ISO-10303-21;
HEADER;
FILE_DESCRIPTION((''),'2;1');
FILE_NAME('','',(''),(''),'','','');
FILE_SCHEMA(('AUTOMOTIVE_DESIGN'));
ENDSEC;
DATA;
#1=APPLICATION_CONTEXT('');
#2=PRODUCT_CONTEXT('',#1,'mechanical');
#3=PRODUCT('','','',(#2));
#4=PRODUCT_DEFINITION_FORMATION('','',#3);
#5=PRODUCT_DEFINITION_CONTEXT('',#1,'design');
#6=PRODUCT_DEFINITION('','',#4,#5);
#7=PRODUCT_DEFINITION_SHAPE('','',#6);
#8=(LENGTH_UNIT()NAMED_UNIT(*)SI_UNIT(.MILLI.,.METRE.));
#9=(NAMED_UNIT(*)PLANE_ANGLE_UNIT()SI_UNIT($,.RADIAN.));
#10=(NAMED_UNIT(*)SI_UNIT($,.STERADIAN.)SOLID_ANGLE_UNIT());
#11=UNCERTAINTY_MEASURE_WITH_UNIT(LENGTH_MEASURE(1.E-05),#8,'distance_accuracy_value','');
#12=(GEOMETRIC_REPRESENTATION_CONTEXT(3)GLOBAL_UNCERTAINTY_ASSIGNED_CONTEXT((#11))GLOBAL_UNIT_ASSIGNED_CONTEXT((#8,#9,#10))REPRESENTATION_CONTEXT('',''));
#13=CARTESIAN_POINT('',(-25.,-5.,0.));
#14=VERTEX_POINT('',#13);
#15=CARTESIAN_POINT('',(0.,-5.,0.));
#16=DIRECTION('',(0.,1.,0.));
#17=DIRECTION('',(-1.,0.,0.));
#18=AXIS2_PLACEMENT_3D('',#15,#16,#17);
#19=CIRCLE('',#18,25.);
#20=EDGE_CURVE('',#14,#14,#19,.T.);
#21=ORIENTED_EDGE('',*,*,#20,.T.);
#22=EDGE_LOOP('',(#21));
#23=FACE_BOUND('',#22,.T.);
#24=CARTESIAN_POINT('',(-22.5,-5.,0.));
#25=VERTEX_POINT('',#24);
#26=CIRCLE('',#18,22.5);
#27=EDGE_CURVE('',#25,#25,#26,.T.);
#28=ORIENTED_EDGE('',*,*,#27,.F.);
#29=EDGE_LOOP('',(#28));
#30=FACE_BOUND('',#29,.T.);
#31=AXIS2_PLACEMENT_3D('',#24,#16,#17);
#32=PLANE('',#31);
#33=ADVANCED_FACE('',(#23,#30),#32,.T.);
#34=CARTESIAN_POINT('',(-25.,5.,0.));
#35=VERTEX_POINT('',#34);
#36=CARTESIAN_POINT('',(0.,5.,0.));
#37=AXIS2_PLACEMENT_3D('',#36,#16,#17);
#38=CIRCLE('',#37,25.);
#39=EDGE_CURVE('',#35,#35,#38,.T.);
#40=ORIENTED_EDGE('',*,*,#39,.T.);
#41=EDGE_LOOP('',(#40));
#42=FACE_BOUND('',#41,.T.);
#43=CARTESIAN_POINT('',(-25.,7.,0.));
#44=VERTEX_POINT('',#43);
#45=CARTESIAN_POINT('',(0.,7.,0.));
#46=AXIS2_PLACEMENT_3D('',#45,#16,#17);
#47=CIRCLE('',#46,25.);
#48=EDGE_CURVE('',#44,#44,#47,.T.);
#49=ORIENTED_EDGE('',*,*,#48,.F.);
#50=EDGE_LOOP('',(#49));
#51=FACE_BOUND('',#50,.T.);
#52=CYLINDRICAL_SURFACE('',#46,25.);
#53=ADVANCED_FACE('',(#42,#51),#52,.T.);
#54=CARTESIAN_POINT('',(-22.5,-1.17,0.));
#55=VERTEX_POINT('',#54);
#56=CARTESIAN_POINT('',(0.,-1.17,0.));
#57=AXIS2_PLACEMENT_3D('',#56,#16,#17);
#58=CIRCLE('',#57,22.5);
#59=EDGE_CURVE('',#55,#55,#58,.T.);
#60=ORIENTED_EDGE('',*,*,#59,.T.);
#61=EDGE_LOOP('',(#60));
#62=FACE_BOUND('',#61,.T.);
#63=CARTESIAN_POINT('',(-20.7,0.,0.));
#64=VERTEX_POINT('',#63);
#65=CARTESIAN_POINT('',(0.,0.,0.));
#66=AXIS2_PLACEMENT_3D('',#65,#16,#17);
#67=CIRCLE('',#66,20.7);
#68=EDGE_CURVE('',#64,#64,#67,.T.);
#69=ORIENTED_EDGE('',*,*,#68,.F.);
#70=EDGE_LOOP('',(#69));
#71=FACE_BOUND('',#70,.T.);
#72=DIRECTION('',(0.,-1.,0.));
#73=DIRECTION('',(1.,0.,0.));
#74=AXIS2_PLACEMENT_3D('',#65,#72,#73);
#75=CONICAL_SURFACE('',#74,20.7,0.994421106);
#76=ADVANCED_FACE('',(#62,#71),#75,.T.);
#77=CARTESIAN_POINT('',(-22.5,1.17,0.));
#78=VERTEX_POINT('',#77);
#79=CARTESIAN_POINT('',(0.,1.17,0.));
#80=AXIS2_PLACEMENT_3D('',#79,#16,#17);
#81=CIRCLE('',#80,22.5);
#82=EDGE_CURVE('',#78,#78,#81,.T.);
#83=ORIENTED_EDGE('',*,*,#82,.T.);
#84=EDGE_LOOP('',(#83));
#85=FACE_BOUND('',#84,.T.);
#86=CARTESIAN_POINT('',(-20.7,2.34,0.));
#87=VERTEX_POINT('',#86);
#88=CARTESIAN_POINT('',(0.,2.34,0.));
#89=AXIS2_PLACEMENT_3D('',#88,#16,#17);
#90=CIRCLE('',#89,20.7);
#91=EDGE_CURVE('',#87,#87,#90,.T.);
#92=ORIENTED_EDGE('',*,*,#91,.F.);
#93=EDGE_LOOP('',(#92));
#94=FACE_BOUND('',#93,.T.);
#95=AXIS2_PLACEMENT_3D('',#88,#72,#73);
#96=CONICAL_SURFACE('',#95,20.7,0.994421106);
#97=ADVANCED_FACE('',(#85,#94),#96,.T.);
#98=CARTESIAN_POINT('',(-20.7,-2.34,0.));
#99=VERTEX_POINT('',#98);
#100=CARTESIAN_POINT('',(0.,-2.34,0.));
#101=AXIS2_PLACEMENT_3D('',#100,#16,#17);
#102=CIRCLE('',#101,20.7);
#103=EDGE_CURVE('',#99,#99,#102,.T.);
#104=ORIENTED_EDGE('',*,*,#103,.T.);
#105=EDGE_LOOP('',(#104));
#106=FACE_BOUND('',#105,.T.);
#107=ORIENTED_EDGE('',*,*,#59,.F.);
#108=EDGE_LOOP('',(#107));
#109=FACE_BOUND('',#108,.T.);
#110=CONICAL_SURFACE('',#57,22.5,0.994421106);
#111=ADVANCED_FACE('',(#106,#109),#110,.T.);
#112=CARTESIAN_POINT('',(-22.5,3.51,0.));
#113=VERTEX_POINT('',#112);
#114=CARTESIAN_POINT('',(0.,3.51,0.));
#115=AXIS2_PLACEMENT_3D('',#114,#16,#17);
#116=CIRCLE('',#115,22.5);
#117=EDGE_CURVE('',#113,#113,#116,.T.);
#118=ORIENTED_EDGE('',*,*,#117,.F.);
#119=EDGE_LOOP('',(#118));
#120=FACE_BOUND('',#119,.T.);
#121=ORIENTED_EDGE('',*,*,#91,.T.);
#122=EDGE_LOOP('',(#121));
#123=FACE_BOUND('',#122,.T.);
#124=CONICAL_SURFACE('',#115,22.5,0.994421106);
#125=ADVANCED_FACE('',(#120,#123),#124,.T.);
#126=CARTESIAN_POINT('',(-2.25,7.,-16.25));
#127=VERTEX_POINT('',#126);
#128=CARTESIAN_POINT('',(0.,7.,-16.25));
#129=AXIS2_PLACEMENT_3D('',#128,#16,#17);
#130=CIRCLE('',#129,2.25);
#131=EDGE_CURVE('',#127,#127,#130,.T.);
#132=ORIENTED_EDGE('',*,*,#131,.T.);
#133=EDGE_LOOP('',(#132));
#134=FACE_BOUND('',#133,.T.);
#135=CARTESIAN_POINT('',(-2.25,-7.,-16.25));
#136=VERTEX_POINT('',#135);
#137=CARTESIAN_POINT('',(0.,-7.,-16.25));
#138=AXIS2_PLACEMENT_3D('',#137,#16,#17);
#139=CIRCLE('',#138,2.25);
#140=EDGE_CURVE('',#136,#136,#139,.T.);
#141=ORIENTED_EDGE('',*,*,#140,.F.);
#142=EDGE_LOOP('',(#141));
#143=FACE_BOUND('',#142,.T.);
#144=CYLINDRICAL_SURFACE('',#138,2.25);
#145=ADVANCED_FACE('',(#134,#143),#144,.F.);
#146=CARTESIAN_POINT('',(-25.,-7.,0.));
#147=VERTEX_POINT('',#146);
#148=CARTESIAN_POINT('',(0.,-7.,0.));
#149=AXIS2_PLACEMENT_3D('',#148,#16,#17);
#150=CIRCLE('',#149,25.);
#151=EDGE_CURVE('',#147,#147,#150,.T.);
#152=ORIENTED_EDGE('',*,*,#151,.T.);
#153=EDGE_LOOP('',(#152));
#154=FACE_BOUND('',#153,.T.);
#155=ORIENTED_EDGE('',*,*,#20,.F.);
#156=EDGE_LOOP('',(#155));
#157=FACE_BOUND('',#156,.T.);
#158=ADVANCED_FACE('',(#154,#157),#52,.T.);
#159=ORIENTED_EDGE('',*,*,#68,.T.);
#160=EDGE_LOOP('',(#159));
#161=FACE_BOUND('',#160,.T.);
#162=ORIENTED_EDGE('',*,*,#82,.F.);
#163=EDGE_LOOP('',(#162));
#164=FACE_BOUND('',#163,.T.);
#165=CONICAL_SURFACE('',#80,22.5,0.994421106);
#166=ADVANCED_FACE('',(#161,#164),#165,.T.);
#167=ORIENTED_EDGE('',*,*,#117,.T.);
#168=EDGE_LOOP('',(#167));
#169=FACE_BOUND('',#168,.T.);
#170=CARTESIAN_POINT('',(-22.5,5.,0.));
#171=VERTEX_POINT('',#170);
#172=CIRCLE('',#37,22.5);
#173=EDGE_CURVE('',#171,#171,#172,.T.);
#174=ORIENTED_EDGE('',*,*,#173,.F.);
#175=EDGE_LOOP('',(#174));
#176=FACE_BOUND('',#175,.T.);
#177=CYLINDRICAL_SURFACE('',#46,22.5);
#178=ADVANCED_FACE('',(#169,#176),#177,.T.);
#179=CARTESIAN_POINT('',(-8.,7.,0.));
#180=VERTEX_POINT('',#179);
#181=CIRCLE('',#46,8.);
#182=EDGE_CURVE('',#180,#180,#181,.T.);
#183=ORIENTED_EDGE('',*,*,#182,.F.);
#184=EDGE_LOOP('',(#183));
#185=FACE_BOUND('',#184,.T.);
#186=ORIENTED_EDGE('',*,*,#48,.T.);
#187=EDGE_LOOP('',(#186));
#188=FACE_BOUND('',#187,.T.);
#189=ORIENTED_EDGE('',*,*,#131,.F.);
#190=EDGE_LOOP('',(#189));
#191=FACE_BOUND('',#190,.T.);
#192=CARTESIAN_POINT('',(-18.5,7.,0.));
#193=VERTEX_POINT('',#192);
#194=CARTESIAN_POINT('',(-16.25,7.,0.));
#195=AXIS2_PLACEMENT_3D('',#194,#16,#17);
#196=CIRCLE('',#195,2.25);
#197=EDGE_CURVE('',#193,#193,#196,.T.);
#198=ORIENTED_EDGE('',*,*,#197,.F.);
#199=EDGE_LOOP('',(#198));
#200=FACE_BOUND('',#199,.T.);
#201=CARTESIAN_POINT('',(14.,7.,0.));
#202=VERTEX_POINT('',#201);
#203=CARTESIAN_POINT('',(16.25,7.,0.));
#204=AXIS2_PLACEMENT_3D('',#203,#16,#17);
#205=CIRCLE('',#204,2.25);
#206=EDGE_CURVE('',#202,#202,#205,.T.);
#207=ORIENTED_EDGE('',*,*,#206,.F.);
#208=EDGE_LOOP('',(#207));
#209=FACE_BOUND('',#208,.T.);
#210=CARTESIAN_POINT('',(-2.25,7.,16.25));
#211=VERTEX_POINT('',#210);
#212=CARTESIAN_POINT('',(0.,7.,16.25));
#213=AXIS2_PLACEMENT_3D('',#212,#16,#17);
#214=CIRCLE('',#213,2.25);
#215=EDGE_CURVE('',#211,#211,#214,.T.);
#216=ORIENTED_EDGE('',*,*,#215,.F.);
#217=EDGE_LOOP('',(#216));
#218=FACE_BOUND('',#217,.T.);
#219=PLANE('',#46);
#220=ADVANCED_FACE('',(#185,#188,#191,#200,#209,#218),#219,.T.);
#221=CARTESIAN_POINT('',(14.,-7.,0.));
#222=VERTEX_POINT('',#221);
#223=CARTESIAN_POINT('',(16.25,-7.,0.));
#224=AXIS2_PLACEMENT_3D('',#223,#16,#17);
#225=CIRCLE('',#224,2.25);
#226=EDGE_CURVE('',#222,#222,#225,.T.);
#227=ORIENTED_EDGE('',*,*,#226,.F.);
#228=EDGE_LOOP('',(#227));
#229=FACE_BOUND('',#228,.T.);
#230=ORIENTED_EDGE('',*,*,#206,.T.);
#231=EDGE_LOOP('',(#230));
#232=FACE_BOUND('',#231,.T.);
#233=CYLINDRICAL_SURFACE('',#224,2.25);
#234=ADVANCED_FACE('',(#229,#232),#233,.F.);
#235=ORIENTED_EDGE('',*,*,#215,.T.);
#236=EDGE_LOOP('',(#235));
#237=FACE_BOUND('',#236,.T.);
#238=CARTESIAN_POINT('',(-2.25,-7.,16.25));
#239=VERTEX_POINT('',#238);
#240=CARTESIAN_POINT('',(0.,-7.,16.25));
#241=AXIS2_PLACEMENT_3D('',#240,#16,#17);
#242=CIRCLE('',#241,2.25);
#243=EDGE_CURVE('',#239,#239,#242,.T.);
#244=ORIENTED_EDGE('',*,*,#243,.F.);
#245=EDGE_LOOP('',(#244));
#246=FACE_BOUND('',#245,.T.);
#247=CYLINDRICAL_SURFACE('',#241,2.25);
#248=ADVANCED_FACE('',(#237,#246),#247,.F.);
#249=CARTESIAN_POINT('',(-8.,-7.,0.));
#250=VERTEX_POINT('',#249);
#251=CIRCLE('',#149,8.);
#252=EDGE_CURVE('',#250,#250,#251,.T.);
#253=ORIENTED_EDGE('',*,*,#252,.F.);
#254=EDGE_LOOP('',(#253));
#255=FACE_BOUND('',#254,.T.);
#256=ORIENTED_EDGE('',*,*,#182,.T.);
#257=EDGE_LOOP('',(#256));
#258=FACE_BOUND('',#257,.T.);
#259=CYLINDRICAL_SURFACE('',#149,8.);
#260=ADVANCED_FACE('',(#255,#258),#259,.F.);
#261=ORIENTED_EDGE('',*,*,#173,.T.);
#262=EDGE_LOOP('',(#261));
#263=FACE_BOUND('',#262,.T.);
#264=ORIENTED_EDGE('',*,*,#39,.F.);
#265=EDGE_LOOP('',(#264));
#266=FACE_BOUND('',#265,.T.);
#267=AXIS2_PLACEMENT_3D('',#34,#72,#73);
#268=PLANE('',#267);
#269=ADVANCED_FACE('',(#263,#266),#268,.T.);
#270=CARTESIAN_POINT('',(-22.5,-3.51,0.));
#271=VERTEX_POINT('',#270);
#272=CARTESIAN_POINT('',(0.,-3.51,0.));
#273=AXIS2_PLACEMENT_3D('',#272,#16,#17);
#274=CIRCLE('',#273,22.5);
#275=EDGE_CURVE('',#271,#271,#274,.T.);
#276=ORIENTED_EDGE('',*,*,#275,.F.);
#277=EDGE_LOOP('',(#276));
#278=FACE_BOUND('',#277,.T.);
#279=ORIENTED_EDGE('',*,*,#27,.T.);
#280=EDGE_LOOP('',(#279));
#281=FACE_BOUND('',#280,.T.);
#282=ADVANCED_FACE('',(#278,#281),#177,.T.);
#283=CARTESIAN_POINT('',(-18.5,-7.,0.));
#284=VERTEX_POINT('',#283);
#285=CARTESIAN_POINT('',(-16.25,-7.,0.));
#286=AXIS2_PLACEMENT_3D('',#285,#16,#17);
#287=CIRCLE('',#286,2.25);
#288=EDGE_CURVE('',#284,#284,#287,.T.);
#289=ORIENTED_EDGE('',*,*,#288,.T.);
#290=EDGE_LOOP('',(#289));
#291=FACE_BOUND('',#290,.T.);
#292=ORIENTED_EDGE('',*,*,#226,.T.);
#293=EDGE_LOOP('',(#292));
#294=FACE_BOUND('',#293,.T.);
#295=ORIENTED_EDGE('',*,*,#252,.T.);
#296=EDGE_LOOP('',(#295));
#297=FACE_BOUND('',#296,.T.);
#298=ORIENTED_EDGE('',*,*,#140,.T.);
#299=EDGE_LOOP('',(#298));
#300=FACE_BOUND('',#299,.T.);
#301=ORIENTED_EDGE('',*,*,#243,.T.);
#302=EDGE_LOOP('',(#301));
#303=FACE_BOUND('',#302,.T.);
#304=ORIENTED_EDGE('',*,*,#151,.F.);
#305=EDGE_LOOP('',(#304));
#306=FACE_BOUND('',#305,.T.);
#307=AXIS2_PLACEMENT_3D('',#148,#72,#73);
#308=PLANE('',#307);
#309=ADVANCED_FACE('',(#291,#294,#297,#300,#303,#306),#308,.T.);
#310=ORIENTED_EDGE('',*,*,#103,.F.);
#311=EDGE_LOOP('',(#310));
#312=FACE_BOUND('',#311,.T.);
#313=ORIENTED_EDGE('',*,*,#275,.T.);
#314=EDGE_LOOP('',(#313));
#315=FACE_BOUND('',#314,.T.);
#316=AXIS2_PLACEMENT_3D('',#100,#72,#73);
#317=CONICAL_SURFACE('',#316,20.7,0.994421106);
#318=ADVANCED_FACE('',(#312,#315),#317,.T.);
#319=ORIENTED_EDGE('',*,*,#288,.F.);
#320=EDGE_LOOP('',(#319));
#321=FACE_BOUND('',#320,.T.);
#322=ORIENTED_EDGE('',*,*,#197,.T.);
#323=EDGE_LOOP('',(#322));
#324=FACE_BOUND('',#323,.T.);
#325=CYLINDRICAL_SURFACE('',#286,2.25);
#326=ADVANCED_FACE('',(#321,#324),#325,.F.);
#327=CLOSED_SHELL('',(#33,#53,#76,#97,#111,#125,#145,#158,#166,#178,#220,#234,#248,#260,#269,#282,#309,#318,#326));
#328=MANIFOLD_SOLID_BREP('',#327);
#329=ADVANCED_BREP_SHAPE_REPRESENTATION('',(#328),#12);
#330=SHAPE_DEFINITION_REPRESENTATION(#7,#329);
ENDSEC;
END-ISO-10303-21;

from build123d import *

# Parameters (mm, degrees)
ESBO_O2_R             = 2.25
ESBO_O2_R_2           = 8
CORTE_EXTRUS_O1_DEPTH = 14


with BuildPart() as part:
    # Esboço1 → Revolução1 (revolve)
    with BuildSketch(Plane.XY):
        Polygon((0, 7), (0, -7), (-25, -7), (-25, -5), (-22.5, -5), (-22.5, -3.51), (-20.7, -2.34), (-22.5, -1.17), (-20.7, 0), (-22.5, 1.17), (-20.7, 2.34), (-22.5, 3.51), (-22.5, 5), (-25, 5), (-25, 7), align=None)
    revolve(axis=Axis((0, 7, 0), (0, -1, 0)))

    # Esboço2 → Corte-extrusão1 (cut)
    with BuildSketch(Plane(origin=(0, 7, 0), x_dir=(1, 0, 0), z_dir=(0, 1, 0))):
        with Locations(Location((16.25, 0, 0), (0, 0, 180))):
            Circle(ESBO_O2_R)
        with Locations(Location((0, -16.25, 0), (0, 0, 180))):
            Circle(ESBO_O2_R)
        with Locations(Location((-16.25, 0, 0), (0, 0, 180))):
            Circle(ESBO_O2_R)
        with Locations(Location((0, 16.25, 0), (0, 0, 180))):
            Circle(ESBO_O2_R)
        with Locations(Location((0, 0, 0), (0, 0, 180))):
            Circle(ESBO_O2_R_2)
    extrude(amount=-CORTE_EXTRUS_O1_DEPTH, mode=Mode.SUBTRACT)


solid = part.part
